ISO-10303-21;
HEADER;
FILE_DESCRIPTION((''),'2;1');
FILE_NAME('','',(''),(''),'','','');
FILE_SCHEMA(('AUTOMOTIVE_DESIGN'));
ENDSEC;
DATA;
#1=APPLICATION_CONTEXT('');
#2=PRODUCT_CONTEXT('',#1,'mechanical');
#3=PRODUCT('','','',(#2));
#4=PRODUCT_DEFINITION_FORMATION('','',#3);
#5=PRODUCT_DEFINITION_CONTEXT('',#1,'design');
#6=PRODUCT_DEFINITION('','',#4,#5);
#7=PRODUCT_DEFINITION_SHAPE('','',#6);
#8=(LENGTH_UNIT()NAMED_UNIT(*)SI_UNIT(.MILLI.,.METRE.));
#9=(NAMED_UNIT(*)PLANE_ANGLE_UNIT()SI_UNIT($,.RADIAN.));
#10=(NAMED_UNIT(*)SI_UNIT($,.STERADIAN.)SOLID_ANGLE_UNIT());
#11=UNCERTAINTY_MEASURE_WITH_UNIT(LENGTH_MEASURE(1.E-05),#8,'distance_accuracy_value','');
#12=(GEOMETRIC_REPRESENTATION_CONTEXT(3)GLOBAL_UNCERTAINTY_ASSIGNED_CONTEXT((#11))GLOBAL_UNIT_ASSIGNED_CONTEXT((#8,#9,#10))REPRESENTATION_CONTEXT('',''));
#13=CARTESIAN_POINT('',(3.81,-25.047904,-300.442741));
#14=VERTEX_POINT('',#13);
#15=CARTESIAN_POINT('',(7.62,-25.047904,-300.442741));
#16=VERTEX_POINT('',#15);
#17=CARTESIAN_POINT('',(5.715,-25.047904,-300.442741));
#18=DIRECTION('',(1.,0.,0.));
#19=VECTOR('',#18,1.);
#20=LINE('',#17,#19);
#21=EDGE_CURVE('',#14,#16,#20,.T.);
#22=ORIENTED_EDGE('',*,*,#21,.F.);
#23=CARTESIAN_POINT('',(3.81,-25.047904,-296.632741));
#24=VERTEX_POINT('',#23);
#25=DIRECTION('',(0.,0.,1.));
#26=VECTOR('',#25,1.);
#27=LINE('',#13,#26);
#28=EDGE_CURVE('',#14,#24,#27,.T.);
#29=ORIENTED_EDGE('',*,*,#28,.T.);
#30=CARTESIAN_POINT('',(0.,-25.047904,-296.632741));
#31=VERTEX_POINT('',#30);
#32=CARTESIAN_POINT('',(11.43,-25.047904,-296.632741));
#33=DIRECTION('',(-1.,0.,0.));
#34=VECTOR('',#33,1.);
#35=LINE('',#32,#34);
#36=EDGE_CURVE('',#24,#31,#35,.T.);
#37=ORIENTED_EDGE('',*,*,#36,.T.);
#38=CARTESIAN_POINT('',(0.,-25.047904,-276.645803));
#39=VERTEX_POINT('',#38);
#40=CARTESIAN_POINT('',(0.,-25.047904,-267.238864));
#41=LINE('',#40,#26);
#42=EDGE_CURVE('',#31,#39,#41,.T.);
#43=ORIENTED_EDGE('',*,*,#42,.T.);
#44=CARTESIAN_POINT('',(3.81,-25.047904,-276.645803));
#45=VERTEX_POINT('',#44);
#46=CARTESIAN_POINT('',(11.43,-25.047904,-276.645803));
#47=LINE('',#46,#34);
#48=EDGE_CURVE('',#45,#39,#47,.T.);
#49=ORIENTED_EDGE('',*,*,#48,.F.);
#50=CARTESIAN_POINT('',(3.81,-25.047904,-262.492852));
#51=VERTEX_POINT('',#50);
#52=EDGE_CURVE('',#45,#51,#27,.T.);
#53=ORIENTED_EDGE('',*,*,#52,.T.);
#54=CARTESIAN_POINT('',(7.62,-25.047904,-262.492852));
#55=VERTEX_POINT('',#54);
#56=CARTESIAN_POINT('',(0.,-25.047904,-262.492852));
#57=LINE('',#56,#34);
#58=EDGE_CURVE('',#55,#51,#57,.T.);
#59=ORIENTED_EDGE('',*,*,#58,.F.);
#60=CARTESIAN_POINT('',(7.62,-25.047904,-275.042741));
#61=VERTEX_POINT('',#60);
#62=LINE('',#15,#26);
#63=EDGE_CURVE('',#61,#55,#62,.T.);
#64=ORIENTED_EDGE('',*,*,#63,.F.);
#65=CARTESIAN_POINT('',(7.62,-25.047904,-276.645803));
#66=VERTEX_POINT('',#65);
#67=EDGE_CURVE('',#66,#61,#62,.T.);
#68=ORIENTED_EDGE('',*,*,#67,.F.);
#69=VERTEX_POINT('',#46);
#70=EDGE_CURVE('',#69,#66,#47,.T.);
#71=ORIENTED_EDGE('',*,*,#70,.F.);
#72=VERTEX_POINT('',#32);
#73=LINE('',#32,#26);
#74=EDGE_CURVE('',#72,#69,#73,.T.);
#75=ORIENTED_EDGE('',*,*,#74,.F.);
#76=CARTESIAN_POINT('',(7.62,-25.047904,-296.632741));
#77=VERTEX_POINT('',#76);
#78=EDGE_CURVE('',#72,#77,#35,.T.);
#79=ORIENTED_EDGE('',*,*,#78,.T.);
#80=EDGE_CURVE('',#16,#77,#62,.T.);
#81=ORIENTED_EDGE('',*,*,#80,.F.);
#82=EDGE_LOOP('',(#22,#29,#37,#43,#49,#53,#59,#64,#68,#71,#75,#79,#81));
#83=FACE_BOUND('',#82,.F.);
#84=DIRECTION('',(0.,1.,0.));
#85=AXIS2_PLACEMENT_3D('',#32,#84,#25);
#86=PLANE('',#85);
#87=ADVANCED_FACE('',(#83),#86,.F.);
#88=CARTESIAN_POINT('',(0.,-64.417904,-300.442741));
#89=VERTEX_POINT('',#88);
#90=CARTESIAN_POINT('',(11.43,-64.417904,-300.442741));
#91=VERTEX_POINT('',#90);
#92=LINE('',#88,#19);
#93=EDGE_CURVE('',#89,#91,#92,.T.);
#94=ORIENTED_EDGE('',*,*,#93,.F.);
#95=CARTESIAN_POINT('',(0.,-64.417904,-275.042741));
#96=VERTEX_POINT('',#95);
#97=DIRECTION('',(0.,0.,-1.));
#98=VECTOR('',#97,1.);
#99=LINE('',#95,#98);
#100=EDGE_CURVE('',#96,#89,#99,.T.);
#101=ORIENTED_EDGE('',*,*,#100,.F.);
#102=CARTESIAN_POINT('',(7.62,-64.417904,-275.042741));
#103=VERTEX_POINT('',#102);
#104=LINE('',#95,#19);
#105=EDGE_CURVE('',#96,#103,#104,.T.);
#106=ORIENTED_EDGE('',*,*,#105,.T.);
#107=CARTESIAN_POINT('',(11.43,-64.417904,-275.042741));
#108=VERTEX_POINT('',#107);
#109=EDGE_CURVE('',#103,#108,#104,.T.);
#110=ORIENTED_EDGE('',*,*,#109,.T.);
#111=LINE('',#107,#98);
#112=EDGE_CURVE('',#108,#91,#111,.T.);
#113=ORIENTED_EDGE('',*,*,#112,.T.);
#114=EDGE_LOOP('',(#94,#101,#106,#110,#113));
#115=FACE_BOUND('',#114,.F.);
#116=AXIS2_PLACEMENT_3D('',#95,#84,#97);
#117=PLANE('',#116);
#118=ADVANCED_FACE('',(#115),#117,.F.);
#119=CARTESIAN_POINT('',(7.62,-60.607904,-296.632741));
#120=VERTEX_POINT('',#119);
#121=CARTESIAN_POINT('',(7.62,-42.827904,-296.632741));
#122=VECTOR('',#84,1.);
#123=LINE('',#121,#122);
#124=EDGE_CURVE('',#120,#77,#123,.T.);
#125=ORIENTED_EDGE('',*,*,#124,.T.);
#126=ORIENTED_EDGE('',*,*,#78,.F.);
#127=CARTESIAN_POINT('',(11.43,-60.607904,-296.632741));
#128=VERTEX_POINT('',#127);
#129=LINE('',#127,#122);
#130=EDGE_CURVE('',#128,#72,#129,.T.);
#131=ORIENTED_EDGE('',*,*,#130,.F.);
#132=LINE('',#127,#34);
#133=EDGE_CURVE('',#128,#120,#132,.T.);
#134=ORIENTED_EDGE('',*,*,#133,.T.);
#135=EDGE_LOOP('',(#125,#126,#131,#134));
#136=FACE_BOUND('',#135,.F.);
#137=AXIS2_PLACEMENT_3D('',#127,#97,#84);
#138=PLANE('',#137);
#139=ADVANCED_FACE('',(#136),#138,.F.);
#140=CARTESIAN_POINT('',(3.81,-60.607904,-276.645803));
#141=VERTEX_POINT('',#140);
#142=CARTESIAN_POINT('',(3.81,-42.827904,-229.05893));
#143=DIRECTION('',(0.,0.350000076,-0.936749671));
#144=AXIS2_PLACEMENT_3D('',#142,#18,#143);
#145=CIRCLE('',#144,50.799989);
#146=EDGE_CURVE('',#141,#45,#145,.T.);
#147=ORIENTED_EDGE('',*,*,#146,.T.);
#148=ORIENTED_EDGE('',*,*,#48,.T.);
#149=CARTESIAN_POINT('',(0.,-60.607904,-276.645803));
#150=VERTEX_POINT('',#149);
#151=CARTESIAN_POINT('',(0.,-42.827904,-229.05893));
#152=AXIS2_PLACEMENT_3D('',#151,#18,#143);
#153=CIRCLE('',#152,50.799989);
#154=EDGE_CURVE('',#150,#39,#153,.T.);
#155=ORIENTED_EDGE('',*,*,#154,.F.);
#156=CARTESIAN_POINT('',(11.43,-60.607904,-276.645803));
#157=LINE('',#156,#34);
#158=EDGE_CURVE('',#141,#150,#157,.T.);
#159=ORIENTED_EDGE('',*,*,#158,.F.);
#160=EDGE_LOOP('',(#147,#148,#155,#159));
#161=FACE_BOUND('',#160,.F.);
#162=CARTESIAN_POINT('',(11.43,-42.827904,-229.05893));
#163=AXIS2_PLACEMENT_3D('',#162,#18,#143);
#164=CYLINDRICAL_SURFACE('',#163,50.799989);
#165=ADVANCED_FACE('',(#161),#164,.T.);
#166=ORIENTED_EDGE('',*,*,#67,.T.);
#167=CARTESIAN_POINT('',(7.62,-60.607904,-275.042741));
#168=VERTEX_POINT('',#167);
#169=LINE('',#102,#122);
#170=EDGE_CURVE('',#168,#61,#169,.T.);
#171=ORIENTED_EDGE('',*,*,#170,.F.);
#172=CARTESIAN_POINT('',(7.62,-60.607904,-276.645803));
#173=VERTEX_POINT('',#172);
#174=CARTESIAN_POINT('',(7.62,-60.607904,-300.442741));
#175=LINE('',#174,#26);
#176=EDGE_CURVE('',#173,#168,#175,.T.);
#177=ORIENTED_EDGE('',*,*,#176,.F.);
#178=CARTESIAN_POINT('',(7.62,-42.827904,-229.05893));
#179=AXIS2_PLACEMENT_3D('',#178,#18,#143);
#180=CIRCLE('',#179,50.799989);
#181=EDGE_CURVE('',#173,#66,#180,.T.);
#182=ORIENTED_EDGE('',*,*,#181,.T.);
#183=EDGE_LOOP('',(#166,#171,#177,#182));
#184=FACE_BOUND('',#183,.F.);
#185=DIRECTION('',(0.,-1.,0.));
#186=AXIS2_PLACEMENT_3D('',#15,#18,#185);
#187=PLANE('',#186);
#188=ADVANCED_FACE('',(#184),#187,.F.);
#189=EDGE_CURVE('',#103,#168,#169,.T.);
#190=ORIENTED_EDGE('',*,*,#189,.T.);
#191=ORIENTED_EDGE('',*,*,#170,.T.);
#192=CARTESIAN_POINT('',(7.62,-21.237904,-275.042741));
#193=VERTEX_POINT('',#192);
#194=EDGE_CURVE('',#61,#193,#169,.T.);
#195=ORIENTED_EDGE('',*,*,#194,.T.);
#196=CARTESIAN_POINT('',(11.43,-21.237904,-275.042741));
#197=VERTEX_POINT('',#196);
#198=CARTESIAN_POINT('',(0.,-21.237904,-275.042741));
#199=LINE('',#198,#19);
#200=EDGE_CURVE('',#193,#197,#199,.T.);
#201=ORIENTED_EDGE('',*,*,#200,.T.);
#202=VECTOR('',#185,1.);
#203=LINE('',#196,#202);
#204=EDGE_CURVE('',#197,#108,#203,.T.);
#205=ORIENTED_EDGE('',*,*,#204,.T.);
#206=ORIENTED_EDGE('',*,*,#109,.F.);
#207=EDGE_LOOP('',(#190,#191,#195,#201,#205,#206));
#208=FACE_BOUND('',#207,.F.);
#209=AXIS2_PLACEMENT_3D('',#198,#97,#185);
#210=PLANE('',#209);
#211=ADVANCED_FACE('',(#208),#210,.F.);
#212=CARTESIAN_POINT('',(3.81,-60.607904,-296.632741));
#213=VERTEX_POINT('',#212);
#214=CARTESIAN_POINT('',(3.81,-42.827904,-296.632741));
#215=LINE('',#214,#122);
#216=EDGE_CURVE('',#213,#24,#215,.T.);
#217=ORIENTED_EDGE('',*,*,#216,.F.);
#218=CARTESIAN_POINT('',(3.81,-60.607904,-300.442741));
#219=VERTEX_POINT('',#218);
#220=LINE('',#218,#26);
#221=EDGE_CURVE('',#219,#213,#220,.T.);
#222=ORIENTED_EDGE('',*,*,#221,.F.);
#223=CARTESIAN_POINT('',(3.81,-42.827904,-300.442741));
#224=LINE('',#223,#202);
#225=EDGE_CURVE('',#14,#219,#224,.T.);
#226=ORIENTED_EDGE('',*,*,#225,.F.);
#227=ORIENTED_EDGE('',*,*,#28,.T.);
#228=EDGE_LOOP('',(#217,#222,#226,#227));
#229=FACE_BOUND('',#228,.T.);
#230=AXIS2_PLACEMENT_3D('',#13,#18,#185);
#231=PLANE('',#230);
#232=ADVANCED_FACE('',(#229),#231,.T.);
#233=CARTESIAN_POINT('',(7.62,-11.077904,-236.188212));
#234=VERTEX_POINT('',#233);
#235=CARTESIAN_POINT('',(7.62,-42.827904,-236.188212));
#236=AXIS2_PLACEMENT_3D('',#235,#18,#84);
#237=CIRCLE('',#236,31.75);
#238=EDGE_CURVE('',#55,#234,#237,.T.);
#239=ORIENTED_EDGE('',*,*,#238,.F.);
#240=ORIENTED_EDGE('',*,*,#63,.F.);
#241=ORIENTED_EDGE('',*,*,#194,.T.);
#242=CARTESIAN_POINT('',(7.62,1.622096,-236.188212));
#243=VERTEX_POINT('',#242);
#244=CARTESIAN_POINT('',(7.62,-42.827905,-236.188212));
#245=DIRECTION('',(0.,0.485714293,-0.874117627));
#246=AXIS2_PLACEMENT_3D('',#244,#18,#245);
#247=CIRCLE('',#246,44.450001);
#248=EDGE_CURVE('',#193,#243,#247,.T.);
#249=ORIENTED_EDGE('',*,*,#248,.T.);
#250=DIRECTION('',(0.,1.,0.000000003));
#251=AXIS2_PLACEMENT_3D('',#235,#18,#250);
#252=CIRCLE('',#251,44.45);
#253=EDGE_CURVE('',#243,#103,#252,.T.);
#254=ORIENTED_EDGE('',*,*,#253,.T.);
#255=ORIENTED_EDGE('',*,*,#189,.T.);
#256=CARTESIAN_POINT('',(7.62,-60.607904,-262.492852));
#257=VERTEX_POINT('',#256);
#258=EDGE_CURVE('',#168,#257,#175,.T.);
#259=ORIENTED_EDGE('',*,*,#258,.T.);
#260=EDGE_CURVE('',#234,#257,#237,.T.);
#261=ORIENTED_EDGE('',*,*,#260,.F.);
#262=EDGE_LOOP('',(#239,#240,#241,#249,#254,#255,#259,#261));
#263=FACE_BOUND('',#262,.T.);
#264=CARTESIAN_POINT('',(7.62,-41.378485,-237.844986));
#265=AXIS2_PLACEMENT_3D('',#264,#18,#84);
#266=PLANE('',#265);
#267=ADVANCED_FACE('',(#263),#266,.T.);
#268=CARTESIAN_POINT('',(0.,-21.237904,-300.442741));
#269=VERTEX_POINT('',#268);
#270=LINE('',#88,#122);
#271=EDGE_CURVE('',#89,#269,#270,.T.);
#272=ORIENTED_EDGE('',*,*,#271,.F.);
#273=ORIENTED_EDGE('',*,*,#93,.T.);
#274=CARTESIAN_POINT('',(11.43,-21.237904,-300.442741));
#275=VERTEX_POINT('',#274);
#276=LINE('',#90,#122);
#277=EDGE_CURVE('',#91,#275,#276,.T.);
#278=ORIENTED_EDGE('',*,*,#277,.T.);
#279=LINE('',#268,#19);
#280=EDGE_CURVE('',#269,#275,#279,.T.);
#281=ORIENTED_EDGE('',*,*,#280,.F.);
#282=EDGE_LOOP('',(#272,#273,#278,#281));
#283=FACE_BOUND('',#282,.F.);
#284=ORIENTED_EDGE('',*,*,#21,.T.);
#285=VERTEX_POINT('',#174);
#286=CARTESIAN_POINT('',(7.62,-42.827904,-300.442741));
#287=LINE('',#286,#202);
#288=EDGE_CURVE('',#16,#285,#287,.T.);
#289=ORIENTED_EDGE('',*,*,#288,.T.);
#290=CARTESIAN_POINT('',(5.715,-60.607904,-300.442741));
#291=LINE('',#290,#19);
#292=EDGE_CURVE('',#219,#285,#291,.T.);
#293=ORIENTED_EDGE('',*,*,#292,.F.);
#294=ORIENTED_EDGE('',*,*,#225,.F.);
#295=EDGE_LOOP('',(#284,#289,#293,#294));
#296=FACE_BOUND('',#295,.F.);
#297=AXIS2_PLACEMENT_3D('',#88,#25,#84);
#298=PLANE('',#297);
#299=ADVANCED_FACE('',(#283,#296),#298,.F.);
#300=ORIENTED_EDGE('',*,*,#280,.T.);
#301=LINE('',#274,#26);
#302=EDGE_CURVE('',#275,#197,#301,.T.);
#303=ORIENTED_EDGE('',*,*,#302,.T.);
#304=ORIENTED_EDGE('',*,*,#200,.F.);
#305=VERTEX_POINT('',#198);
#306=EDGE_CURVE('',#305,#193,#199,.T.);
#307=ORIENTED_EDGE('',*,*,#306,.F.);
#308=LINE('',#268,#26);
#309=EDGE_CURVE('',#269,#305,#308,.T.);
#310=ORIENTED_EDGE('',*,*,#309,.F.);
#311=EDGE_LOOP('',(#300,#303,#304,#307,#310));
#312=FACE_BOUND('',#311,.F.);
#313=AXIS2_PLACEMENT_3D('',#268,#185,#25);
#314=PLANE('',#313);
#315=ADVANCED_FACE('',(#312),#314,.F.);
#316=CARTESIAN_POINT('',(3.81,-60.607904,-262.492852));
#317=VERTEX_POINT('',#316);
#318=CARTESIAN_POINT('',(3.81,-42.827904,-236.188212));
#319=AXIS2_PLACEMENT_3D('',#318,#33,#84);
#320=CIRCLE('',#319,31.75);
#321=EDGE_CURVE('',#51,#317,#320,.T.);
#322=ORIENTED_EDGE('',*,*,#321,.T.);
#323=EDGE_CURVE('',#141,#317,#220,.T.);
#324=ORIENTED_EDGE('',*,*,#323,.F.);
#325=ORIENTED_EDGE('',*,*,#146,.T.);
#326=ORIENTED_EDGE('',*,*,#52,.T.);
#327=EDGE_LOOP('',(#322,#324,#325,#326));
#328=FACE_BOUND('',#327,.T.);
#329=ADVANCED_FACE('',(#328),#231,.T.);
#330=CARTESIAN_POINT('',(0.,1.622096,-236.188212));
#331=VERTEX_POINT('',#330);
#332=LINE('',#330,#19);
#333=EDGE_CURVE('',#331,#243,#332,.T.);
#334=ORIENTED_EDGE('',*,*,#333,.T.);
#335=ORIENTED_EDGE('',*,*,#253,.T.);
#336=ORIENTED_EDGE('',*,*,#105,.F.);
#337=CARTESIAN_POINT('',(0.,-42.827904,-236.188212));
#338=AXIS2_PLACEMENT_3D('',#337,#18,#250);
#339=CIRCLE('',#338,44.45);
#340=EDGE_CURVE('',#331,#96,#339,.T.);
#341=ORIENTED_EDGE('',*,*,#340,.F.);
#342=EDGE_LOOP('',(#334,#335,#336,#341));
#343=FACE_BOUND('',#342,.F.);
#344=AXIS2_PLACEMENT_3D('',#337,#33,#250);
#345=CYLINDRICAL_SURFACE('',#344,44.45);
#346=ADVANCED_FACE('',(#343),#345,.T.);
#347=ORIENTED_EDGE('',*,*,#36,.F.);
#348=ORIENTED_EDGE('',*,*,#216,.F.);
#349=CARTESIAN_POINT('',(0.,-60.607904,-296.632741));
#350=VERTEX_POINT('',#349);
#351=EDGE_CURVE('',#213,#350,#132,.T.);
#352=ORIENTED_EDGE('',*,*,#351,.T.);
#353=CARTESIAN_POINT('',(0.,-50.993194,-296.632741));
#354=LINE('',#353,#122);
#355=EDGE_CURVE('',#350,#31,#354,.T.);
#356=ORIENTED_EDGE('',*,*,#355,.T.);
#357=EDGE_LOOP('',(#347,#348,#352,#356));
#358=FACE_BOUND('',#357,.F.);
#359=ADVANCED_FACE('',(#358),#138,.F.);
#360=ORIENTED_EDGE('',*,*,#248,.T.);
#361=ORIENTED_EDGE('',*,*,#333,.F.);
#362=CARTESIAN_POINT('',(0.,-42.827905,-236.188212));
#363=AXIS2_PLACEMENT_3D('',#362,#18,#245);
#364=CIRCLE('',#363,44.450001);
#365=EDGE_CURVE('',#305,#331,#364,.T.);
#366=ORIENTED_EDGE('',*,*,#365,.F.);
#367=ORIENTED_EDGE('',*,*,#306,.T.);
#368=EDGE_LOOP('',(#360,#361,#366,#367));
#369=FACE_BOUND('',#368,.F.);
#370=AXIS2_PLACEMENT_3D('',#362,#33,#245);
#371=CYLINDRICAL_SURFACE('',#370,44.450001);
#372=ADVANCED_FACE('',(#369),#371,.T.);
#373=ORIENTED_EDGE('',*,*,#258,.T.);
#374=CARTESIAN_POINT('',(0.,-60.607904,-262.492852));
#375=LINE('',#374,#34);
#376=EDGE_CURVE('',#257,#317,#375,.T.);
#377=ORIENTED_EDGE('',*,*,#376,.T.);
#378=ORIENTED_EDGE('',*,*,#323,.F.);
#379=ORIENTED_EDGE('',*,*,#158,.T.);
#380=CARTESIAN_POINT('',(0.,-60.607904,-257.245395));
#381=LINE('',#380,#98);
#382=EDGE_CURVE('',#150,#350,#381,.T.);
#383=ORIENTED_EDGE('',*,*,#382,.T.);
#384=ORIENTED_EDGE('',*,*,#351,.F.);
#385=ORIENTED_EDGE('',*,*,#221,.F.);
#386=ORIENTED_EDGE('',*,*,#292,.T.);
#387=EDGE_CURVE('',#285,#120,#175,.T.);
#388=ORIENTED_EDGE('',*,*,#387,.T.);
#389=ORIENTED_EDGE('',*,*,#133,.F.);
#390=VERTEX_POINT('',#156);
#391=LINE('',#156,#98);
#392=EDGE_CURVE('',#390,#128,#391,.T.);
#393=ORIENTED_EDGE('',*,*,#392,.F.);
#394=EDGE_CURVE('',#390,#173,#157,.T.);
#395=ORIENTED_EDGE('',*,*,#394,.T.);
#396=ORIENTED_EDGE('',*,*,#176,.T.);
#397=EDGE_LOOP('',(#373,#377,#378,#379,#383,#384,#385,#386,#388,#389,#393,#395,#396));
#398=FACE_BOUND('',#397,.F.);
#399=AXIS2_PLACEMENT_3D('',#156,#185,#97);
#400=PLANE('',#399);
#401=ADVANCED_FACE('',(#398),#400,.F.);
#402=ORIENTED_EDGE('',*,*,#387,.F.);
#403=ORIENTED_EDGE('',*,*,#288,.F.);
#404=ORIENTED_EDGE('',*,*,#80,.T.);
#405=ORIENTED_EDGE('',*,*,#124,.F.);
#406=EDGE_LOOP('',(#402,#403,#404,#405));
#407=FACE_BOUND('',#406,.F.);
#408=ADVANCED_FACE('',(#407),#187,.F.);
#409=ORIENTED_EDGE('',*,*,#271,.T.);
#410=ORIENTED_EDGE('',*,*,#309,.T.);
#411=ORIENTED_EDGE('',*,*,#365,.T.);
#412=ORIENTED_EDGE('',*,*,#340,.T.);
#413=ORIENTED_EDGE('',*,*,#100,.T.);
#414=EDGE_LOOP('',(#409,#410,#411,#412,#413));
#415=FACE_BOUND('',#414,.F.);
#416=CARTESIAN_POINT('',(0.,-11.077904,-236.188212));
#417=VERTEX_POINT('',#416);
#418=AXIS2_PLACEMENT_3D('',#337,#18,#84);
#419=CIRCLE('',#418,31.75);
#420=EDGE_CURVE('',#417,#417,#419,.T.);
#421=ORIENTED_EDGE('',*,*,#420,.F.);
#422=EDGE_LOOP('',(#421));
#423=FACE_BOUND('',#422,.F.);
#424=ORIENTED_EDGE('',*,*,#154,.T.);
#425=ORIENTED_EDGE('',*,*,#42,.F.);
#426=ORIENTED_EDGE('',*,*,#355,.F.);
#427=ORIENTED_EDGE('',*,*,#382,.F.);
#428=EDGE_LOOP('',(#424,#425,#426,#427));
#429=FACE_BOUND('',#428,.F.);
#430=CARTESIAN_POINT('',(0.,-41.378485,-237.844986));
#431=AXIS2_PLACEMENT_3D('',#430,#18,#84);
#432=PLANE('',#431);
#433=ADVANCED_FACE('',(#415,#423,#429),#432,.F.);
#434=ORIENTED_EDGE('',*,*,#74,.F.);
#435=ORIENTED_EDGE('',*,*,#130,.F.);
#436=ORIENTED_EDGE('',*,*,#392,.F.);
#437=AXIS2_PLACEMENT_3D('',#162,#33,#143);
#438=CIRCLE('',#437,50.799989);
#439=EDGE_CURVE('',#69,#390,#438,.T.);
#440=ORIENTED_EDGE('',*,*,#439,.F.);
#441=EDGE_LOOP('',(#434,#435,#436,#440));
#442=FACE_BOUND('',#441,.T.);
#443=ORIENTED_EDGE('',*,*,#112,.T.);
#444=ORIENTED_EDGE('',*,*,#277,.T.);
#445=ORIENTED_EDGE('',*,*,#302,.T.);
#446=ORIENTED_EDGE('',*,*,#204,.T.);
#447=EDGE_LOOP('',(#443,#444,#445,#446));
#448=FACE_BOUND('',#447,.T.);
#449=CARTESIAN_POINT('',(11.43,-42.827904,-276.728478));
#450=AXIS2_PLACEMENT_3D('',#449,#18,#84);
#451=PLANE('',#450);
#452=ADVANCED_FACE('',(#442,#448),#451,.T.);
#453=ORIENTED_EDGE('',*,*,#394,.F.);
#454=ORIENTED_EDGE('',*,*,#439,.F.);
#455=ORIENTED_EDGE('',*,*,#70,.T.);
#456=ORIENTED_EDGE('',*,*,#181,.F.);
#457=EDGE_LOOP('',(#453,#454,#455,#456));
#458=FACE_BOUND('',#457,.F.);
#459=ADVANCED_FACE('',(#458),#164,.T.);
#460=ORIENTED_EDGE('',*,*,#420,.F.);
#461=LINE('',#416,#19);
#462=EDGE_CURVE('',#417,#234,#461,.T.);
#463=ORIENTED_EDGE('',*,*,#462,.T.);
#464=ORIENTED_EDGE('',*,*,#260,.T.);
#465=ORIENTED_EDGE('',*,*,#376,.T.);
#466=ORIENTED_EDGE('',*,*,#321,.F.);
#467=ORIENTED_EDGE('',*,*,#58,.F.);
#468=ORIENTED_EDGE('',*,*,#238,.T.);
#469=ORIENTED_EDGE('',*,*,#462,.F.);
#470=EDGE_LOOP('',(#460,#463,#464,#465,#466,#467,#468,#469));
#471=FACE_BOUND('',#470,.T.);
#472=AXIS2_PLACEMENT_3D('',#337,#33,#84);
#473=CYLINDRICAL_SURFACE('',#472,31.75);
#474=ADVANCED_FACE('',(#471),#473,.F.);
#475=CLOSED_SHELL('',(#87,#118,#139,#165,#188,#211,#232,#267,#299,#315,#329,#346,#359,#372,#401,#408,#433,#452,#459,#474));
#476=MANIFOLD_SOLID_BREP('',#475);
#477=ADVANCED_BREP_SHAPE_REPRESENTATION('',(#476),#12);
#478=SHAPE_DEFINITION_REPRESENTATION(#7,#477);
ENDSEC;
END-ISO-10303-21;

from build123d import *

# Parameters (mm, degrees)
F1_DEPTH = 11.43
F0_R     = 31.75
F4_DEPTH = 7.62
F2_W     = 3.81
F2_H     = 35.56
F5_DEPTH = 76.2
F6_DEPTH = 76.2


with BuildPart() as f1:
    # F0 (on Right) → F1 (new body)
    with BuildSketch(Plane.YZ):
        with BuildLine():
            Line((-21.237904, -275.042741), (-64.417904, -275.042741))
            ThreePointArc((-64.417904, -275.042741), (-42.827904, -280.638212), (-21.237904, -275.042741))
        make_face()
        with BuildLine():
            ThreePointArc((-21.237904, -275.042741), (-42.827904, -280.638212), (-64.417904, -275.042741))
            Line((-64.417904, -275.042741), (-64.417904, -300.442741))
            Line((-64.417904, -300.442741), (-21.237904, -300.442741))
            Line((-21.237904, -300.442741), (-21.237904, -275.042741))
        make_face()
    extrude(amount=F1_DEPTH)

    # F0 (on Right) → F4 (join)
    with BuildSketch(Plane.YZ):
        with BuildLine():
            ThreePointArc((-21.237904, -275.042741), (-4.516822, -258.728476), (1.622096, -236.188212))
            ThreePointArc((1.622096, -236.188212), (-65.368168, -197.87713), (-64.417904, -275.042741))
            Line((-64.417904, -275.042741), (-21.237904, -275.042741))
        make_face()
        with Locations((-42.827904, -236.188212)):
            Circle(F0_R, mode=Mode.SUBTRACT)
    extrude(amount=F4_DEPTH)

    # F2 (on face) → F5 (cut)
    with BuildSketch(Plane(origin=(0, 0, -300.442741), x_dir=(1, 0, 0), z_dir=(0, 0, -1))):
        with Locations((5.715, 42.827904)):
            Rectangle(F2_W, F2_H)
    extrude(amount=-F5_DEPTH, mode=Mode.SUBTRACT)

    # F3 (on face) → F6 (cut)
    with BuildSketch(Plane.YZ.offset(11.43)):
        with BuildLine():
            Line((-60.607904, -276.645803), (-60.607904, -296.632741))
            Line((-60.607904, -296.632741), (-25.047904, -296.632741))
            Line((-25.047904, -296.632741), (-25.047904, -276.645803))
            ThreePointArc((-25.047904, -276.645803), (-42.827904, -279.858919), (-60.607904, -276.645803))
        make_face()
    extrude(amount=-F6_DEPTH, mode=Mode.SUBTRACT)


solid = f1.part
